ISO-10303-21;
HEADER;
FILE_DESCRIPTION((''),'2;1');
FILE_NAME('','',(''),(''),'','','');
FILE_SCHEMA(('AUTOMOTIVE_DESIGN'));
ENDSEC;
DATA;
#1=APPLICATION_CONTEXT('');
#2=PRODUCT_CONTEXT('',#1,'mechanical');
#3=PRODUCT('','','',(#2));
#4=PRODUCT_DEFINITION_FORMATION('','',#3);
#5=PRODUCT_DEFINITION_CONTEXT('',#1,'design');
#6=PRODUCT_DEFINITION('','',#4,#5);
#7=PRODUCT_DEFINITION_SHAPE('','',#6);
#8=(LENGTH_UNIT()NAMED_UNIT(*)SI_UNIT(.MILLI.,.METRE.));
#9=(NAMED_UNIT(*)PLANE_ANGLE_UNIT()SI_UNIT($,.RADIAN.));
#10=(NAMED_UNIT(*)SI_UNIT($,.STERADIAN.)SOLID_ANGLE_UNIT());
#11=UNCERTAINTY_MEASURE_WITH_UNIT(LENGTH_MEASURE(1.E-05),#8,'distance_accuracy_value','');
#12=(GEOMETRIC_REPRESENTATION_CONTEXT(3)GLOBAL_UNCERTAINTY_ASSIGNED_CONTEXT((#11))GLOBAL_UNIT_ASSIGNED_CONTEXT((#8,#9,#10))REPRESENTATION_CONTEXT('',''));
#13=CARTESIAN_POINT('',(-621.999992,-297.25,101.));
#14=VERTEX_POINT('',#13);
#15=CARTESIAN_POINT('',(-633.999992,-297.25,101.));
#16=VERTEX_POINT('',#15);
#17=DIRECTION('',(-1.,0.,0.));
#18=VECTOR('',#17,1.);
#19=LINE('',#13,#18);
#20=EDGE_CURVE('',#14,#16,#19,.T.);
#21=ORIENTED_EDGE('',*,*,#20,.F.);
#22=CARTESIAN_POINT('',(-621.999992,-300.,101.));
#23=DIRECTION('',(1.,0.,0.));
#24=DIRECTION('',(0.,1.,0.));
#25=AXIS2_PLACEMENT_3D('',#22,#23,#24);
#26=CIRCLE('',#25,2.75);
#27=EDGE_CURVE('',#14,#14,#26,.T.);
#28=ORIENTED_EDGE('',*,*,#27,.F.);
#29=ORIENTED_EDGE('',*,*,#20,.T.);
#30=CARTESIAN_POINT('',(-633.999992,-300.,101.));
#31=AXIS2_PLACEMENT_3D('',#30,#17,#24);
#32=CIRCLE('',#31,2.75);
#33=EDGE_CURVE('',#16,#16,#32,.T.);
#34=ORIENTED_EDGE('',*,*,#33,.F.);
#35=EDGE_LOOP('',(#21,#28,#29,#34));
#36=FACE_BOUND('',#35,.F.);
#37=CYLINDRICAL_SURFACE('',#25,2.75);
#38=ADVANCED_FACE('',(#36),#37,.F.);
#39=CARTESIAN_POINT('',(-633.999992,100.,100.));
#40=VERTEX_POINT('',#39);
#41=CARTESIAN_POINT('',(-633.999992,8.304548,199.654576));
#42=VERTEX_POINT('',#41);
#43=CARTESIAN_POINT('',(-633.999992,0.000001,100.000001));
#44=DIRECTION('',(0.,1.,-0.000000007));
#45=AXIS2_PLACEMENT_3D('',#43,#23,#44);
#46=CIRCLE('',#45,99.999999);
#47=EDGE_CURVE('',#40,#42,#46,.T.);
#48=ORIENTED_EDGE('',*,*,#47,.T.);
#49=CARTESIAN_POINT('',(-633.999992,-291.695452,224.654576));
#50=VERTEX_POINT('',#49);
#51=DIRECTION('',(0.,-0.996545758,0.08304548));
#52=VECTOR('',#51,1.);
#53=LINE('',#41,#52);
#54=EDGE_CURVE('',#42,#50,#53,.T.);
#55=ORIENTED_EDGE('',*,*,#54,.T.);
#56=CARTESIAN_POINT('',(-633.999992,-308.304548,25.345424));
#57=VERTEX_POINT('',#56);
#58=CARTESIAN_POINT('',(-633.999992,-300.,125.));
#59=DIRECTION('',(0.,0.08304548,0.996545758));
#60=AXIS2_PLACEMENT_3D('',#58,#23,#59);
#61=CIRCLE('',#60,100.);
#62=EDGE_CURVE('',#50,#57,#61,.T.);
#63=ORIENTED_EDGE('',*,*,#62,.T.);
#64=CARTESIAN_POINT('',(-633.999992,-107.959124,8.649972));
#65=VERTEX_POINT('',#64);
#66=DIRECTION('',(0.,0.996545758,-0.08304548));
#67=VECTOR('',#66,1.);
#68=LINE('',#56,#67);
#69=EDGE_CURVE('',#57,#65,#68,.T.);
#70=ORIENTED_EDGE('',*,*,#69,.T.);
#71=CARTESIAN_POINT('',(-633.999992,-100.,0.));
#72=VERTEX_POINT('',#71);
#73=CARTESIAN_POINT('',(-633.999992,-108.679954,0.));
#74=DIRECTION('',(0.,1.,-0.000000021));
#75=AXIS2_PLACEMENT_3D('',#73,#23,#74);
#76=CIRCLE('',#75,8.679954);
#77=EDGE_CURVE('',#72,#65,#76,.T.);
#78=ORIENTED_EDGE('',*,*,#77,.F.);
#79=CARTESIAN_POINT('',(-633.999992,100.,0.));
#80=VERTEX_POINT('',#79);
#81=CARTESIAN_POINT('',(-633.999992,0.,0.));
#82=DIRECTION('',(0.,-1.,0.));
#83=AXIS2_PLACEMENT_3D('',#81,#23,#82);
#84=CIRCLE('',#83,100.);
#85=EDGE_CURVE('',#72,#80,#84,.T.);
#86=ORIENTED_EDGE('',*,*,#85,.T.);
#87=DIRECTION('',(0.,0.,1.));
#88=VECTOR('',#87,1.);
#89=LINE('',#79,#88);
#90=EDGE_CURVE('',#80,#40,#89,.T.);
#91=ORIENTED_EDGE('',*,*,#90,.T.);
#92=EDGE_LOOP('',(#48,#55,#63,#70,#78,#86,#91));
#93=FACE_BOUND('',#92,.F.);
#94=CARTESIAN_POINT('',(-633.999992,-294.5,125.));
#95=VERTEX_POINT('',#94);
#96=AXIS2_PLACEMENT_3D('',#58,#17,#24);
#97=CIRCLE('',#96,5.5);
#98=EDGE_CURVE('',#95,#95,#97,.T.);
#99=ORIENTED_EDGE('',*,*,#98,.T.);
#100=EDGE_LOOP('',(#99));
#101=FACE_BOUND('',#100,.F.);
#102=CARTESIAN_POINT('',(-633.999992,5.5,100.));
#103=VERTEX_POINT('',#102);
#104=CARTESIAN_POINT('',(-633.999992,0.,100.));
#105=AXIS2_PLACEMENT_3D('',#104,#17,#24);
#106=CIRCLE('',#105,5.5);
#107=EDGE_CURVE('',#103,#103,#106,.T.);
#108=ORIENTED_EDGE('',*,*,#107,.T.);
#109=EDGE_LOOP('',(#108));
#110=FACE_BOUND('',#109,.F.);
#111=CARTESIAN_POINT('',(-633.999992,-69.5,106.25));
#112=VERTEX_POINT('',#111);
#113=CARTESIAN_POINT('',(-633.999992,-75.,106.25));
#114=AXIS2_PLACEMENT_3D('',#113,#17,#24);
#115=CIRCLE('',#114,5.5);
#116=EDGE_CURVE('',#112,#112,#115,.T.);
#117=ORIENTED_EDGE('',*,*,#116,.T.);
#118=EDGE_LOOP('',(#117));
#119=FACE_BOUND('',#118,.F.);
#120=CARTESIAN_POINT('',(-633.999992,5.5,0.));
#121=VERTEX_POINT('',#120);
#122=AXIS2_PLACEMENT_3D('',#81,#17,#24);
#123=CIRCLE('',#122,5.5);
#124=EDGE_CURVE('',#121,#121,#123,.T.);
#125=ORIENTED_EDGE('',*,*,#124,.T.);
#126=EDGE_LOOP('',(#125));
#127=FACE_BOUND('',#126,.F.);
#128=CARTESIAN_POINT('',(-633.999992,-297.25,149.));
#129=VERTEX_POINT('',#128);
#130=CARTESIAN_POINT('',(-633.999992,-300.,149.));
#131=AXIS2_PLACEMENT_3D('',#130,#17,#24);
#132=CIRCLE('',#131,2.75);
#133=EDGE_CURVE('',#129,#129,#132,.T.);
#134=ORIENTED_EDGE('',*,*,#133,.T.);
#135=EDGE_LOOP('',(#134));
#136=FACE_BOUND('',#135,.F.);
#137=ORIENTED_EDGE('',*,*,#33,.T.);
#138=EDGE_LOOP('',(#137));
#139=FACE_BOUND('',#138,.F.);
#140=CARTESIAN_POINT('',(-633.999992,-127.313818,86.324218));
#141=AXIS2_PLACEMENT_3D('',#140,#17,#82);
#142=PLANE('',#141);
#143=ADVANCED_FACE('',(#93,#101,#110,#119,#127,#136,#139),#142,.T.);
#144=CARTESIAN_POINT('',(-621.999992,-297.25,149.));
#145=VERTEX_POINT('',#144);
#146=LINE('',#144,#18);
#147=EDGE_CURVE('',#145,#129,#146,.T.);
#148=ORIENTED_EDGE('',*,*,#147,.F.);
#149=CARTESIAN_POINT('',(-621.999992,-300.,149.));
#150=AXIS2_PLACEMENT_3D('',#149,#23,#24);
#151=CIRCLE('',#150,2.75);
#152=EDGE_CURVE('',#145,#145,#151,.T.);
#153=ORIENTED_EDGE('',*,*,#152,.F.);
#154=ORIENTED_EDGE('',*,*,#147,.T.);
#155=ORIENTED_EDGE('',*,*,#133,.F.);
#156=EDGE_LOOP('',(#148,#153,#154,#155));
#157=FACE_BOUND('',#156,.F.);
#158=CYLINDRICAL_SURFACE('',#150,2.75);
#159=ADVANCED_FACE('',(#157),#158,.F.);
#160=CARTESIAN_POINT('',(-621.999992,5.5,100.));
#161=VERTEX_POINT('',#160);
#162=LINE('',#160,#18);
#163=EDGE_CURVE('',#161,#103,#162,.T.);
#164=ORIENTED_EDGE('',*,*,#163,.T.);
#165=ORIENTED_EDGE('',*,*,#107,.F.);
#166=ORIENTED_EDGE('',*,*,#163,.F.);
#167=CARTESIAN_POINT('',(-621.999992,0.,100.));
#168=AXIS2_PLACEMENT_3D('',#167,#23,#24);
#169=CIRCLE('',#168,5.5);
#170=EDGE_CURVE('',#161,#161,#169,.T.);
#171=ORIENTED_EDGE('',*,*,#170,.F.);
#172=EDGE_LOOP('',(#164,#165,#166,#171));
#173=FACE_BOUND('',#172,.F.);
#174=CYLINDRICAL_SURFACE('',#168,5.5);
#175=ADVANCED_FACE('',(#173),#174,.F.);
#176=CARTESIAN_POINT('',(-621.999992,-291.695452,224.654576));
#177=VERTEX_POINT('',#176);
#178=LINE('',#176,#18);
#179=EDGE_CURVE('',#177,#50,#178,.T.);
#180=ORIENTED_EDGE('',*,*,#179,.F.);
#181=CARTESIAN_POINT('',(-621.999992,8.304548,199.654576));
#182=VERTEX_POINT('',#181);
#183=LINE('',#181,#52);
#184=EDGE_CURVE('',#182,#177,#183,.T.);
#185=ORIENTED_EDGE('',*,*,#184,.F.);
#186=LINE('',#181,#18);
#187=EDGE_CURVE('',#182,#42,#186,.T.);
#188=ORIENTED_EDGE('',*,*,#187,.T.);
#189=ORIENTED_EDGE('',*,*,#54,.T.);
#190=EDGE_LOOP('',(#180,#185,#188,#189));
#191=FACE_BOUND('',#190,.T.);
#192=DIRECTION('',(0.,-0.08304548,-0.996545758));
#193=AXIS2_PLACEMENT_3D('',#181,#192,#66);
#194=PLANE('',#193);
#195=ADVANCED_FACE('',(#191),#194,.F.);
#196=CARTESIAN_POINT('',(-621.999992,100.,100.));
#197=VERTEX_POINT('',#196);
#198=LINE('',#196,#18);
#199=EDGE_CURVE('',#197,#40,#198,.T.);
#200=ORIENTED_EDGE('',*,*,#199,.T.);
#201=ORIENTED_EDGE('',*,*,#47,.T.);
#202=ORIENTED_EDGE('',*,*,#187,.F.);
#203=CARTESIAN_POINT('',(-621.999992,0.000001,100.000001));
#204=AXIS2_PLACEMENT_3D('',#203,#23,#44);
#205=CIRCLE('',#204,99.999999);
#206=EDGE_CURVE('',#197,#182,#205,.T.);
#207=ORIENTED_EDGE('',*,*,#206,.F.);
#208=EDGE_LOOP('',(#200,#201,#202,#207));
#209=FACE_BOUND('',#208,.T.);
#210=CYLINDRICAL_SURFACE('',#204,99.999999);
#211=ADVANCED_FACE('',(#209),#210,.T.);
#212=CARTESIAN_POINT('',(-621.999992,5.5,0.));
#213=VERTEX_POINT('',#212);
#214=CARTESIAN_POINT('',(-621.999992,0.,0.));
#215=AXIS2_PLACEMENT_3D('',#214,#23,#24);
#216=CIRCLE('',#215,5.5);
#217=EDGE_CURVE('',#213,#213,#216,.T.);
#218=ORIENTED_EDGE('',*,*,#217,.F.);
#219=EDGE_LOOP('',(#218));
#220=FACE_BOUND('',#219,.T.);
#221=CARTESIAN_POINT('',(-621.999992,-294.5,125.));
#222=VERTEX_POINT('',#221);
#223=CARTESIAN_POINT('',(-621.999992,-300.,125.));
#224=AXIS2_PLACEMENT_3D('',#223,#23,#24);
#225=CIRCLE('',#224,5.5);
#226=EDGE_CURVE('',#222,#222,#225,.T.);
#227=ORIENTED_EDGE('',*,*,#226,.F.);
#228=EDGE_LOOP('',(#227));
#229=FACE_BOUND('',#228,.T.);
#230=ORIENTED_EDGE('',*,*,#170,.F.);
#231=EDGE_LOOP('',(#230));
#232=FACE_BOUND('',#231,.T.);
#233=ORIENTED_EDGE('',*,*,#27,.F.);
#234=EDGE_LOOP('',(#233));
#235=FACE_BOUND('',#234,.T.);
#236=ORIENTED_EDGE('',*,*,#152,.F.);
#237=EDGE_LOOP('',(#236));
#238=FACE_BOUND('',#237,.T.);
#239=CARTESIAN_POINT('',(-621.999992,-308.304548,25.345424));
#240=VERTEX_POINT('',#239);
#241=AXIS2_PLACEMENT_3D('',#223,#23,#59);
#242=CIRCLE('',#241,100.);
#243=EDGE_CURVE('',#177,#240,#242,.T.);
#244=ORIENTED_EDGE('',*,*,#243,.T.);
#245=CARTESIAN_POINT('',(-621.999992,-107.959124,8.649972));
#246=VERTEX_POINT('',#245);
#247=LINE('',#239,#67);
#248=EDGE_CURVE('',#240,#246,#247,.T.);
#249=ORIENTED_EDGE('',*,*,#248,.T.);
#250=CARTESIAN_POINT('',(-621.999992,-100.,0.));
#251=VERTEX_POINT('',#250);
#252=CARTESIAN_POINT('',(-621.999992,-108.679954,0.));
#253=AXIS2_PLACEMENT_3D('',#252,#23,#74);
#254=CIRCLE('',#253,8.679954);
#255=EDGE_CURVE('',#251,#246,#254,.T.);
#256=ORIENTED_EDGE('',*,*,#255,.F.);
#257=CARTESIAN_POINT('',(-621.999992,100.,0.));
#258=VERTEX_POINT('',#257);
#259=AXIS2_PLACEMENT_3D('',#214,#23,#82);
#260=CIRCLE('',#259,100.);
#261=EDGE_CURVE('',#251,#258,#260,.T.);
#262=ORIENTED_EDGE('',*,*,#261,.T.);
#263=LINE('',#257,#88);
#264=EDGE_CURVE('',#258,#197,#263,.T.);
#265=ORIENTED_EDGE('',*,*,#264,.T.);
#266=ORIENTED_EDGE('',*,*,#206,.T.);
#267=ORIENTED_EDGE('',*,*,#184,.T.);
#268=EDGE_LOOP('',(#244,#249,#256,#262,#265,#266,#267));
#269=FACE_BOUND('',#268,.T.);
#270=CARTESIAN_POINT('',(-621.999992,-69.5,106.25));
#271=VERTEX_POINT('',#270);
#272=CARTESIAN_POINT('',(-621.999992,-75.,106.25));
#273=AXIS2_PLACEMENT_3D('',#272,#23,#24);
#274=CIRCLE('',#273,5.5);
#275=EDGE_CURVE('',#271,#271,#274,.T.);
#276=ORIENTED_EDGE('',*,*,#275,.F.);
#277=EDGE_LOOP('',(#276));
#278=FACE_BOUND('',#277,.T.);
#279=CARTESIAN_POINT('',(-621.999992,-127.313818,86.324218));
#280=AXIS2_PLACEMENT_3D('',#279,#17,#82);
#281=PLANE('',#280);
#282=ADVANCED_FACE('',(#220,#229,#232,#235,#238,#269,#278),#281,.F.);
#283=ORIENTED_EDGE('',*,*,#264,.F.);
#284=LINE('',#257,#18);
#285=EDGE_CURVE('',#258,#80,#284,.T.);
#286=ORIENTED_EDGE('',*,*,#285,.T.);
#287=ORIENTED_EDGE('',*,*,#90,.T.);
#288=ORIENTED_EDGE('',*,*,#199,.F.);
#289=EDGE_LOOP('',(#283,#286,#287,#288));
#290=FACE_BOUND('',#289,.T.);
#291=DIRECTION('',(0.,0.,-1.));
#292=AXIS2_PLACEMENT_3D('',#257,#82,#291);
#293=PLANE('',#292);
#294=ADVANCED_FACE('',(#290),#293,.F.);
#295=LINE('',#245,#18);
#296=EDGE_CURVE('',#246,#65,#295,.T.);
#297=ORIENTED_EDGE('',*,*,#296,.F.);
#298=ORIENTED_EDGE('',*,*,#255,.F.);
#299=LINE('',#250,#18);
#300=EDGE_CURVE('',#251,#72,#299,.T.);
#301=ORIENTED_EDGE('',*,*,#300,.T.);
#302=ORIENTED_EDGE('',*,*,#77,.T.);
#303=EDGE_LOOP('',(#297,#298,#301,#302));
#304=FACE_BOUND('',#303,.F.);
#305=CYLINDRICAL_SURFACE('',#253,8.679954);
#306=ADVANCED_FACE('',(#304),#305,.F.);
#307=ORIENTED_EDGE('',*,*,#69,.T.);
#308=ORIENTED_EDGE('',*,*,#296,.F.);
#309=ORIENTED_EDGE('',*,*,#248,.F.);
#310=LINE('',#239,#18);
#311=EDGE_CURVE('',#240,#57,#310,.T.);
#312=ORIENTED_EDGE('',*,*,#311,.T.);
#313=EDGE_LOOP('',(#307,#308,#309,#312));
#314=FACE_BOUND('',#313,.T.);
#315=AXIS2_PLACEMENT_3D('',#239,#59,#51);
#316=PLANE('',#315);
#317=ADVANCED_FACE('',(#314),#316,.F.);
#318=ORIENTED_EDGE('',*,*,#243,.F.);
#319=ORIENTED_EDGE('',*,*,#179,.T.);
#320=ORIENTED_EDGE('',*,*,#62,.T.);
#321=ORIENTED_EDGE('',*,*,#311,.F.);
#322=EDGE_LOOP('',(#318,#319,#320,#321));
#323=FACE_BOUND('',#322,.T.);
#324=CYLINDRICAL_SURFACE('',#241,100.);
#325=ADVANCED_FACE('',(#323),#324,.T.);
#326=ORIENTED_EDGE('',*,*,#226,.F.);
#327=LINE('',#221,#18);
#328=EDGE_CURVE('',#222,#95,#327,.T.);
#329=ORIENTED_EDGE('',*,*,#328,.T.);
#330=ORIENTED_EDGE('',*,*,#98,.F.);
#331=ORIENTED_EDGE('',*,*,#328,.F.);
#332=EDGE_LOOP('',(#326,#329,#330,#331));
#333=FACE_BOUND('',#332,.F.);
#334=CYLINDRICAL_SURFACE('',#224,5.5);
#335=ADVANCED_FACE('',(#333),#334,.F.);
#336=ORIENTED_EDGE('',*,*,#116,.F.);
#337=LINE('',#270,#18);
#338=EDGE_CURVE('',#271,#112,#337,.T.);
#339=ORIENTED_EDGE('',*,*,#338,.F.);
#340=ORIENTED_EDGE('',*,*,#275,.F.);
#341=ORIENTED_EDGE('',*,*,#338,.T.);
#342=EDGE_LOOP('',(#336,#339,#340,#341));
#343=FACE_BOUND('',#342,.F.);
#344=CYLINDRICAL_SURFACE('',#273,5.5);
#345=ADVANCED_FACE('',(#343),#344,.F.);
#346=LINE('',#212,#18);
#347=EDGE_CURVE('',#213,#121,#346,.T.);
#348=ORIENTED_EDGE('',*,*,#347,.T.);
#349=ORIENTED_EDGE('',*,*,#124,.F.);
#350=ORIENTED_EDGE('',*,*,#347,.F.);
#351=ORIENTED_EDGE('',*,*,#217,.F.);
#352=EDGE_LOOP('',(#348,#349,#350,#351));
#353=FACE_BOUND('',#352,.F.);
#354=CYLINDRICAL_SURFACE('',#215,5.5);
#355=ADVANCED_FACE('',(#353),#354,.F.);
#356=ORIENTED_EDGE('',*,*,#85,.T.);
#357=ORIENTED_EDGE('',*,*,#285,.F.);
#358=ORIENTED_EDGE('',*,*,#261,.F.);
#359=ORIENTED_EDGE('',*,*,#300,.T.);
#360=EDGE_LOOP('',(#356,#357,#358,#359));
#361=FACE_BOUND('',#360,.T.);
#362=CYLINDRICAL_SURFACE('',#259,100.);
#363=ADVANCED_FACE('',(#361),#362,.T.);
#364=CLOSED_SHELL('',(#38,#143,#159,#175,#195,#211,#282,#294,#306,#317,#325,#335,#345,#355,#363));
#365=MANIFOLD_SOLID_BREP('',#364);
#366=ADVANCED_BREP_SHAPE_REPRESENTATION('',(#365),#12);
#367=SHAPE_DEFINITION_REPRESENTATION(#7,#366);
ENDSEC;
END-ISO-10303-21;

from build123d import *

# Parameters (mm, degrees)
PAD003_DEPTH  = 12
SKETCH009_R   = 5.5
HOLE001_DEPTH = 12.001
SKETCH038_R   = 2.75
HOLE005_DEPTH = 12.001


with BuildPart() as arm_left:
    # Sketch008 → Pad003 (new body)
    with BuildSketch(Plane.YZ):
        with BuildLine():
            ThreePointArc((100, 100), (73.588229, 167.710949), (8.304548, 199.654576))
            Line((8.304548, 199.654576), (-291.695452, 224.654576))
            ThreePointArc((-291.695452, 224.654576), (-399.654576, 133.304548), (-308.304548, 25.345424))
            Line((-308.304548, 25.345424), (-107.959124, 8.649972))
            ThreePointArc((-100, 0), (-102.29253, 5.87728), (-107.959124, 8.649972))
            ThreePointArc((-100, 0), (0, -100), (100, 0))
            Line((100, 0), (100, 100))
        make_face()
    extrude(amount=PAD003_DEPTH)

    # Sketch009 → Hole001 (cut, through all)
    with BuildSketch(Plane.YZ):
        with Locations((-300, 125)):
            Circle(SKETCH009_R)
        with Locations((0, 100)):
            Circle(SKETCH009_R)
        Circle(SKETCH009_R)
        with Locations((-75, 106.25)):
            Circle(SKETCH009_R)
    extrude(amount=HOLE001_DEPTH, mode=Mode.SUBTRACT)

    # Sketch038 → Hole005 (cut, through all)
    with BuildSketch(Plane.YZ):
        with Locations((-300, 149)):
            Circle(SKETCH038_R)
        with Locations((-300, 101)):
            Circle(SKETCH038_R)
    extrude(amount=HOLE005_DEPTH, mode=Mode.SUBTRACT)


with BuildPart() as arm_left_1:
    # Body004 placement: moved
    add(arm_left.part.moved(Location((622, 0, 0))))


with BuildPart() as arm_right:
    # Part__Mirroring001: instance of arm_left
    add(arm_left_1.part.mirror(Plane(origin=(4e-06, -149.827286, 62.327362), x_dir=(0, -1, 0), z_dir=(1, 0, 0))))


solid = arm_right.part
